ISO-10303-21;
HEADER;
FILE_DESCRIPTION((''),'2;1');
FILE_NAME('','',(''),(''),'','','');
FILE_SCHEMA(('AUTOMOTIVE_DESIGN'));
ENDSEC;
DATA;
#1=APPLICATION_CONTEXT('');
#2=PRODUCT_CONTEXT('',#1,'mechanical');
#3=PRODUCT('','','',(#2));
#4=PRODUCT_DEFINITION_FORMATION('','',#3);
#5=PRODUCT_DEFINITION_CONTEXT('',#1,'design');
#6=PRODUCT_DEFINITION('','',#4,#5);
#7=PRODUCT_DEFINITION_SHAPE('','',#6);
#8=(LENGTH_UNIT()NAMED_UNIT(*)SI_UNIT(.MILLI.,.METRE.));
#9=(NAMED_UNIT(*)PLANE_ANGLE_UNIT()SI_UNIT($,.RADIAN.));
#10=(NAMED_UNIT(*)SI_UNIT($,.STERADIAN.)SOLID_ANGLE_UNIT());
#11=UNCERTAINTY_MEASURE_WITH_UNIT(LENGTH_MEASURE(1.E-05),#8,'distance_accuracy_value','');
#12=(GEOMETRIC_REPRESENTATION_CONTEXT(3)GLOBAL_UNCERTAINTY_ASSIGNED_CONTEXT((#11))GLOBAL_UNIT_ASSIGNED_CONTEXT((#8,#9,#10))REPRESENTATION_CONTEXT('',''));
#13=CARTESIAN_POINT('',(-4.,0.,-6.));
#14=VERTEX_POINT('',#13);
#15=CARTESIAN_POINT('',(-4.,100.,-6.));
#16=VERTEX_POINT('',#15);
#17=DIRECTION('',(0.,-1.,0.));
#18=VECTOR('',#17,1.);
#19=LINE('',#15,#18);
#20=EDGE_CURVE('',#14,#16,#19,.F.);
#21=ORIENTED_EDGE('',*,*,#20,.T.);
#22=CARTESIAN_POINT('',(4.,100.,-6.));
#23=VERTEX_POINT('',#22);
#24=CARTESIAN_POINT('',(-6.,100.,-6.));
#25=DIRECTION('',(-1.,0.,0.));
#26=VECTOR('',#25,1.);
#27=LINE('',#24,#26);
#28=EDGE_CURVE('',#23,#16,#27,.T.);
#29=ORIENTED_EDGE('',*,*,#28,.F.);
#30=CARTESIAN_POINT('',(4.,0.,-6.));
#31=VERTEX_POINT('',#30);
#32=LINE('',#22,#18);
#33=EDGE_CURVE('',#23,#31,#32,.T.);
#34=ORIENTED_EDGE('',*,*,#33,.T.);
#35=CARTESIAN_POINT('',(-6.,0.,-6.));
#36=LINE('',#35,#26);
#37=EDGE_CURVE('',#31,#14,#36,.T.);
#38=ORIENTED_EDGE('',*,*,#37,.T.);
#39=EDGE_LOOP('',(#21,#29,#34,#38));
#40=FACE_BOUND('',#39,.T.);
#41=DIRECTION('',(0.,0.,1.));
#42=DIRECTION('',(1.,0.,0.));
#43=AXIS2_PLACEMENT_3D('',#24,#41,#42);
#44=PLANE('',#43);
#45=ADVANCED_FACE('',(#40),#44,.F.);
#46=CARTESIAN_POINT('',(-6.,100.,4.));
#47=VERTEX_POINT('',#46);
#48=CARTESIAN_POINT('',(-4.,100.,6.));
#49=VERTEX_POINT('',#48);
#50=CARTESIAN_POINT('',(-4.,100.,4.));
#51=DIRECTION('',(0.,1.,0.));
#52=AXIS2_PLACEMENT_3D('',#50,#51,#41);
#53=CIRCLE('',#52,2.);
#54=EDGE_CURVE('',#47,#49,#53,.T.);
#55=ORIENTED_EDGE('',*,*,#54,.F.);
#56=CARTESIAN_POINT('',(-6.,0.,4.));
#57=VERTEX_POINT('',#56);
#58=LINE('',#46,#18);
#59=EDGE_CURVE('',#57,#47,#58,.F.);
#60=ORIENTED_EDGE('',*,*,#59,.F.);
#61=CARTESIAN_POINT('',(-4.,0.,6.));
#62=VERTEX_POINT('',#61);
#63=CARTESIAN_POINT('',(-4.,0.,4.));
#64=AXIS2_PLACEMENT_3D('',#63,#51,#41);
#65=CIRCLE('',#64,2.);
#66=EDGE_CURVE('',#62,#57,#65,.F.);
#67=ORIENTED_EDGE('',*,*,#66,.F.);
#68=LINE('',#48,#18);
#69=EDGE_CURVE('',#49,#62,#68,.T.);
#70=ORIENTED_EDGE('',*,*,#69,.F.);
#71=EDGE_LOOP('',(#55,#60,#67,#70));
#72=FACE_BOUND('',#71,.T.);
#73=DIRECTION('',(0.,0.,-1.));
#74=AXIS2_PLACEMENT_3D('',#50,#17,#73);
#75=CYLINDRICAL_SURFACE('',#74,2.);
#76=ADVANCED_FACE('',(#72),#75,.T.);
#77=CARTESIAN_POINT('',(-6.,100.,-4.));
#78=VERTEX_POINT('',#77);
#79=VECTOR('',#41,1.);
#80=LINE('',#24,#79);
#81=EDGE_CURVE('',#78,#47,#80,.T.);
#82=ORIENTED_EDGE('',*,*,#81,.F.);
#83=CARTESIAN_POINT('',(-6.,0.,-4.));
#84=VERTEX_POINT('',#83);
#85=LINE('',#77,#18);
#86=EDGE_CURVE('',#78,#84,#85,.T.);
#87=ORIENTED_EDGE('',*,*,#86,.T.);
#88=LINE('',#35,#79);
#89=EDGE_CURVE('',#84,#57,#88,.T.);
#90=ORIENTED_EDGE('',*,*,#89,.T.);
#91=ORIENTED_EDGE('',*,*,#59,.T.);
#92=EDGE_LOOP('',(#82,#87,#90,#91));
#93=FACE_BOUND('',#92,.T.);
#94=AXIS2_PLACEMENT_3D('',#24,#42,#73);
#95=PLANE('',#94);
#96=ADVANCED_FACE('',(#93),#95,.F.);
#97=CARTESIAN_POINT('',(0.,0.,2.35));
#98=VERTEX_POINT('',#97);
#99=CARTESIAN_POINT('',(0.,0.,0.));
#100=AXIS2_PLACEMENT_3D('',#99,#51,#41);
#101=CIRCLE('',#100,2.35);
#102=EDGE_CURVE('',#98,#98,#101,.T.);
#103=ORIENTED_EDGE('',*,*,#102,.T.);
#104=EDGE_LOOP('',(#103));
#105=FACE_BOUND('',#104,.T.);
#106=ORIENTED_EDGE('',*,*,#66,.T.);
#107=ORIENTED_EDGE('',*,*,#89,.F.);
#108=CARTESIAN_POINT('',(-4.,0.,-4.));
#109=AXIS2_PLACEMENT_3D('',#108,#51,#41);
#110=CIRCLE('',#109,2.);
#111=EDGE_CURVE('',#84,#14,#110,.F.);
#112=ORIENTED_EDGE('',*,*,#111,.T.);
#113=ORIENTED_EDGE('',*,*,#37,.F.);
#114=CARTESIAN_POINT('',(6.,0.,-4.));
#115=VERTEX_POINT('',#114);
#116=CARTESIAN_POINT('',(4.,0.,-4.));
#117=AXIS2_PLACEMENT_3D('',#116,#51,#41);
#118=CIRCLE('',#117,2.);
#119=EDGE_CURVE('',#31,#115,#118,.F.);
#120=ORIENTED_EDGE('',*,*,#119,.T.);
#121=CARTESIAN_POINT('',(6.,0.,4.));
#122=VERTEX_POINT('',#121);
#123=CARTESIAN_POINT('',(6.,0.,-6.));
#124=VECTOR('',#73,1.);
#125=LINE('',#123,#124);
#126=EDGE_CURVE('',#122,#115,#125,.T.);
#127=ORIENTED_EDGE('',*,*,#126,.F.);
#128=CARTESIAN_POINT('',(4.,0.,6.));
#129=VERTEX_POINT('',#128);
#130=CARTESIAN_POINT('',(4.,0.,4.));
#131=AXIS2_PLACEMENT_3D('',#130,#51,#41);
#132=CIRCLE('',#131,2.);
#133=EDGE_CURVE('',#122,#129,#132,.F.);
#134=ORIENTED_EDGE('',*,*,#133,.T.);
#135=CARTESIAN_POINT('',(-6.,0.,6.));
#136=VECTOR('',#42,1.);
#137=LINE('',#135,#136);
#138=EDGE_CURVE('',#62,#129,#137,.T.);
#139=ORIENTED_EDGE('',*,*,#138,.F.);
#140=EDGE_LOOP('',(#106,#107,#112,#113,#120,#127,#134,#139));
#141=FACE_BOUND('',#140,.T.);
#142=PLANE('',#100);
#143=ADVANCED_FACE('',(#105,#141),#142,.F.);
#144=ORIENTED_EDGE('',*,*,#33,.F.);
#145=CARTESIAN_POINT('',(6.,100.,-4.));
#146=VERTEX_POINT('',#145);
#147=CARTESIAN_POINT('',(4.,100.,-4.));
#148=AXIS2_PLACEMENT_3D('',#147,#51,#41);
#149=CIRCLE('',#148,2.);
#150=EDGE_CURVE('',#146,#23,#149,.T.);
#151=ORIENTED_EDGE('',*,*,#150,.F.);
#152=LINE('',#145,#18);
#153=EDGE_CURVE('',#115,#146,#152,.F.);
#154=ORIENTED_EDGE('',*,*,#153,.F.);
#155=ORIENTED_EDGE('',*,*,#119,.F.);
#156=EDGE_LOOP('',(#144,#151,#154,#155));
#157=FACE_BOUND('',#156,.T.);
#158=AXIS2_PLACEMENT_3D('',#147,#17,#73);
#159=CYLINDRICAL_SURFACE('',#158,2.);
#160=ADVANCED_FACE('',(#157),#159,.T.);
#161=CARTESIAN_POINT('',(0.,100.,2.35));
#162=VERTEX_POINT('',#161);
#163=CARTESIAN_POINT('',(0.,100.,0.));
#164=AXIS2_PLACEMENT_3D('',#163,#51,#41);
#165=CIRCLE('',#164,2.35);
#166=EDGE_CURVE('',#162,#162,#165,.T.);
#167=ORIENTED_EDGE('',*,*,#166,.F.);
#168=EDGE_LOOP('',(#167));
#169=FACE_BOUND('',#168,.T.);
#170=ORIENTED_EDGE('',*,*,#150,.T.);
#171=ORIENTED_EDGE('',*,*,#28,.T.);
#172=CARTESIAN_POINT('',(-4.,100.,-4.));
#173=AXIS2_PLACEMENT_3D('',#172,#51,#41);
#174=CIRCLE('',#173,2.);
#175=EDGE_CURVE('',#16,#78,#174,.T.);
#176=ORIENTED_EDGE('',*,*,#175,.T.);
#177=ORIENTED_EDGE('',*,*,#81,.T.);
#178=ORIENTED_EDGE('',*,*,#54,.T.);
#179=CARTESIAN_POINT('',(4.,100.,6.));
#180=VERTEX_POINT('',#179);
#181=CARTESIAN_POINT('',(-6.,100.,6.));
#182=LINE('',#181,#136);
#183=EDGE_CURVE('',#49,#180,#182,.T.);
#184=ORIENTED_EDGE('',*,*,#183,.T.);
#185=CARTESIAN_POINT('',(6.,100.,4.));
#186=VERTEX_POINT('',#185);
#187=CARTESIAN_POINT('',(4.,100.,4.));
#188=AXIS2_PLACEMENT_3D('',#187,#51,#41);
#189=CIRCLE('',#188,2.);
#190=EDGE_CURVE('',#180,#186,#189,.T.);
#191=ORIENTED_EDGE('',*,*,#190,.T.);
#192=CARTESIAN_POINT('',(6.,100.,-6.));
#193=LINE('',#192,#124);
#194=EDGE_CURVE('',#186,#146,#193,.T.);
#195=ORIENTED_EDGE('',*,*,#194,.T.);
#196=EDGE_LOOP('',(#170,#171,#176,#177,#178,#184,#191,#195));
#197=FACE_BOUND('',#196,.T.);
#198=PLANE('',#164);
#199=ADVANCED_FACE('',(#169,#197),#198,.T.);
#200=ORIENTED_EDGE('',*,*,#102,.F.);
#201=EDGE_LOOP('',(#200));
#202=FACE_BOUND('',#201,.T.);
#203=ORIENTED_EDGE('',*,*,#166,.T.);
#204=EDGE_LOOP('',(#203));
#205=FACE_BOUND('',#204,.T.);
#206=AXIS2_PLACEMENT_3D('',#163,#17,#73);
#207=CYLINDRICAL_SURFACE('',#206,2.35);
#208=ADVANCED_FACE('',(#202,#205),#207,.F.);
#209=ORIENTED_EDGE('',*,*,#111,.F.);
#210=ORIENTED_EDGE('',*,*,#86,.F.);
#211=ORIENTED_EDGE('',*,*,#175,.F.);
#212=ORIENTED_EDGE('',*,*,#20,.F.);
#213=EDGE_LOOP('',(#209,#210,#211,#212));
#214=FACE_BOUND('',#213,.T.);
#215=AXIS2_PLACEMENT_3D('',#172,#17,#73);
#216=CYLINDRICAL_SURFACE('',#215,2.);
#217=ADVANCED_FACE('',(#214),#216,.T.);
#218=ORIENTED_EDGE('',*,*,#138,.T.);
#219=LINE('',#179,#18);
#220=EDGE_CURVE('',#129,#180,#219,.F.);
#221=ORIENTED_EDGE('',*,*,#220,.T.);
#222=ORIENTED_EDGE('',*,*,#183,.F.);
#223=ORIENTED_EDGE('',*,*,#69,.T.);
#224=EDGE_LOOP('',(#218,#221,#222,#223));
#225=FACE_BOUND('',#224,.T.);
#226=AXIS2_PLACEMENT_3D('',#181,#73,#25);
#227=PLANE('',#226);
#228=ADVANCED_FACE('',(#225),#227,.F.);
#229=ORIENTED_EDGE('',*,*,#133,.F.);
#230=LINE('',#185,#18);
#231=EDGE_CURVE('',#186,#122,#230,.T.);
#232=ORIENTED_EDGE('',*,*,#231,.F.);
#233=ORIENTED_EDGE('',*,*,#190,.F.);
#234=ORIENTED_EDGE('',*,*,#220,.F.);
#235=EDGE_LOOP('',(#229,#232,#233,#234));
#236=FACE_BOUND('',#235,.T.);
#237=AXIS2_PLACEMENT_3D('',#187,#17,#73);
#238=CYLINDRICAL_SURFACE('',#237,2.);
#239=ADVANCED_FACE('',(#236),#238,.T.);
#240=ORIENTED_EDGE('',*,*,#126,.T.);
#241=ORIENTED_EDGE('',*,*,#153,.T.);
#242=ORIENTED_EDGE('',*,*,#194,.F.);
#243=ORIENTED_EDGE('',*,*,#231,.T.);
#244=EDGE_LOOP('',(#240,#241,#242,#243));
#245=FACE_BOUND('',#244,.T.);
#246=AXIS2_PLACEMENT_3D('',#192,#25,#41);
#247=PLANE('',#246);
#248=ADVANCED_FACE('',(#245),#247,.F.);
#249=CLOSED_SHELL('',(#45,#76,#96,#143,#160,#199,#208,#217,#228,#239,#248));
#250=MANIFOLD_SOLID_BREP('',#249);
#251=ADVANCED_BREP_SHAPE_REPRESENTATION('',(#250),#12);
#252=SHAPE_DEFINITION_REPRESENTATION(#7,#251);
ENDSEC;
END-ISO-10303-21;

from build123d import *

# Parameters (mm, degrees)
SKETCH1_W           = 12
SKETCH1_H           = 12
SKETCH1_R           = 2.35
BOSS_EXTRUDE1_DEPTH = 100
FILLET1_R           = 2


with BuildPart() as part:
    # Sketch1 → Boss-Extrude1 (new body)
    with BuildSketch(Plane(origin=(0, 0, 0), x_dir=(1, 0, 0), z_dir=(0, 1, 0))):
        Rectangle(SKETCH1_W, SKETCH1_H)
        with Locations(Location((0, 0, 0), (0, 0, 270))):
            Circle(SKETCH1_R, mode=Mode.SUBTRACT)
    extrude(amount=BOSS_EXTRUDE1_DEPTH)

    # Fillet1
    fillet1_edges = [part.edges().sort_by_distance(p)[0] for p in [
        (-6, 50, -6),
        (6, 50, -6),
        (6, 50, 6),
        (-6, 50, 6),
    ]]
    fillet(fillet1_edges, radius=FILLET1_R)


solid = part.part
